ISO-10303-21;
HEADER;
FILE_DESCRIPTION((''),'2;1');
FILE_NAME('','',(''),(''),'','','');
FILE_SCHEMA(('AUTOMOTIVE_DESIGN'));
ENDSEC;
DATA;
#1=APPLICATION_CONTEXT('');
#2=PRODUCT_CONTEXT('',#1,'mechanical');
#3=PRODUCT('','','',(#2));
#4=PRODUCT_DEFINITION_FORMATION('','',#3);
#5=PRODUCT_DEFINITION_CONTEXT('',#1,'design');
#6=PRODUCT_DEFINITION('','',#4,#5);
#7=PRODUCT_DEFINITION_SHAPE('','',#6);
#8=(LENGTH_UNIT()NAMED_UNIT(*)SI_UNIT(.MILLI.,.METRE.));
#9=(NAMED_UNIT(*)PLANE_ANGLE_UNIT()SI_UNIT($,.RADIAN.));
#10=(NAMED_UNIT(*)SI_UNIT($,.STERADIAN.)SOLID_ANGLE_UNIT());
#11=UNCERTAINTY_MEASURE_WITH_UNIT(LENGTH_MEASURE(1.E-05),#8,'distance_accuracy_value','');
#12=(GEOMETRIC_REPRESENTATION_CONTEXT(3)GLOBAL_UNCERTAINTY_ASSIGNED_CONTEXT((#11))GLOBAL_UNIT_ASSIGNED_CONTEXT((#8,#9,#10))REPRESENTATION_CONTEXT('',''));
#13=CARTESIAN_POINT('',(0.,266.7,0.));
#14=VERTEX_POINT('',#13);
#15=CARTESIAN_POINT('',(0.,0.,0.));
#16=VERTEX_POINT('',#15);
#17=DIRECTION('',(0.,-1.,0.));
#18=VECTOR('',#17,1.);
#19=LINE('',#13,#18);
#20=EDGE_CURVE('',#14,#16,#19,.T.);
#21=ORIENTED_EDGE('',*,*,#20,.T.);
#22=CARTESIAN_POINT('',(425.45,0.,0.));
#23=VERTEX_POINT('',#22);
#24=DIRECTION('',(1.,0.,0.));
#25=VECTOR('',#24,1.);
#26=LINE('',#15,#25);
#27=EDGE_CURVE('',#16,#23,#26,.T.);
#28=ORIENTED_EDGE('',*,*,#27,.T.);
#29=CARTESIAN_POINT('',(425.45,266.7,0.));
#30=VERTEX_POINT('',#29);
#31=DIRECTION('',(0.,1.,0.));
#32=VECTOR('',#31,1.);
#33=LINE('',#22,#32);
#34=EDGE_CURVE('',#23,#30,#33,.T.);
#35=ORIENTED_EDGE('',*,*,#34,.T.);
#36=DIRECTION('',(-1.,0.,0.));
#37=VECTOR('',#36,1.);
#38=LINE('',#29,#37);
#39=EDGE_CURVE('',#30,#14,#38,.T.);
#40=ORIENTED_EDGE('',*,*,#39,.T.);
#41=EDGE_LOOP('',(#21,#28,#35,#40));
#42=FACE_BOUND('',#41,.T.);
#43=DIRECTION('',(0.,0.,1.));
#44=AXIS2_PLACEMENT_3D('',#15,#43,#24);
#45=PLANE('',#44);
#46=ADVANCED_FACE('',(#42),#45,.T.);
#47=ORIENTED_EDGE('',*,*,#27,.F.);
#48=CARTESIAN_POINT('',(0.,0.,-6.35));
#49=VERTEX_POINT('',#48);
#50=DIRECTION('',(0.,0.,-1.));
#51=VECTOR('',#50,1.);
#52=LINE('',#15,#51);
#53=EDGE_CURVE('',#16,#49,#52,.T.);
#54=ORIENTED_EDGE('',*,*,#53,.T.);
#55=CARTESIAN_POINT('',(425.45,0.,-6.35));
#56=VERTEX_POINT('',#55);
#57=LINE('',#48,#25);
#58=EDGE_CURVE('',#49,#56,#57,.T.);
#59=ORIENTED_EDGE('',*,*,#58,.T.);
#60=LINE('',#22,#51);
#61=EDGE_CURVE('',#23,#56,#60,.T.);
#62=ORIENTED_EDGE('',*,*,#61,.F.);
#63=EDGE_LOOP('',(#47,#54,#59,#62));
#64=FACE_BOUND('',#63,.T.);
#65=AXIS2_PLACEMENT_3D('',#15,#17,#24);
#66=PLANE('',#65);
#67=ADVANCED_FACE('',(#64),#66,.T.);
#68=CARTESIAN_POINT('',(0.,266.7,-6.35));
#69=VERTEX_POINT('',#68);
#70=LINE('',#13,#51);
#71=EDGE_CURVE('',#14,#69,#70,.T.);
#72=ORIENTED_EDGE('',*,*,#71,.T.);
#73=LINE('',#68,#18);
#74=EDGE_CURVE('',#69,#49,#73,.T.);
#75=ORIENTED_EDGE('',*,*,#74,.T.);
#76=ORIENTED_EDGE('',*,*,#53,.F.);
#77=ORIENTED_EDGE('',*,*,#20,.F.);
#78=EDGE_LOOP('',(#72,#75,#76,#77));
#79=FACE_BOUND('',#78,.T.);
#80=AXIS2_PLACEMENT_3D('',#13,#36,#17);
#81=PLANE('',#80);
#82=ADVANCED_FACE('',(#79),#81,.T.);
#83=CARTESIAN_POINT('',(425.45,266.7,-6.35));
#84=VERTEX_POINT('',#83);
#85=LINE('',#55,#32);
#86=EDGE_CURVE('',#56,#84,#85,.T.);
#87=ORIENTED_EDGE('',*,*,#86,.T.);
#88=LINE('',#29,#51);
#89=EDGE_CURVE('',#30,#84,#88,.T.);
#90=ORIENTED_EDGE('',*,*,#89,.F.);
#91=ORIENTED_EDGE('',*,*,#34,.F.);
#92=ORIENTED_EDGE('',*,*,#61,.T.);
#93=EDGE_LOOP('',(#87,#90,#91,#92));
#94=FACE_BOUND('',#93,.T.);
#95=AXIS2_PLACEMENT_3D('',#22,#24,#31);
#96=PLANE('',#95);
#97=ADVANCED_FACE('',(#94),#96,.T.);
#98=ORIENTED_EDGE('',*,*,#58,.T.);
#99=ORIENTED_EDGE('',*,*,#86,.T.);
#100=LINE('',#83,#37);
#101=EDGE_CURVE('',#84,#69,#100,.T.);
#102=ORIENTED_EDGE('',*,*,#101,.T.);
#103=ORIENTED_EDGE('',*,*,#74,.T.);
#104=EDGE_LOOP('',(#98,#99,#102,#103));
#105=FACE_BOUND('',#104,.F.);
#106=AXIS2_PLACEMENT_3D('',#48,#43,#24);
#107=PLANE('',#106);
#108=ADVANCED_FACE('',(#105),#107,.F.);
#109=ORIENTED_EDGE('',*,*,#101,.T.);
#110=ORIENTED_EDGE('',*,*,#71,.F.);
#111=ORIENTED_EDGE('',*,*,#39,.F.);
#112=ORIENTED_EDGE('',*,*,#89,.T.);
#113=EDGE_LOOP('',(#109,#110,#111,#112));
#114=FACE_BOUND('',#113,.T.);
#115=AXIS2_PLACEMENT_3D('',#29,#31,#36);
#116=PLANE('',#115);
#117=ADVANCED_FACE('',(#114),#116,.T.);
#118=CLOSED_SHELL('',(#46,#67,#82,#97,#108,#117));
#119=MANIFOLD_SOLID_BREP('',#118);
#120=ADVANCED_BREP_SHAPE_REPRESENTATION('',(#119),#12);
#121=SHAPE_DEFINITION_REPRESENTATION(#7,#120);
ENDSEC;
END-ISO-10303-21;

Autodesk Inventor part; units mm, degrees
ref_plane "YZ Plane" through (0, 0, 0) normal (1, 0, 0) x (0, 1, 0)
ref_plane "XZ Plane" through (0, 0, 0) normal (0, 1, 0) x (-1, 0, 0)
ref_plane "XY Plane" through (0, 0, 0) normal (0, 0, 1) x (1, 0, 0)
sketch "Sketch1" plane through (0, 0, 0) normal (0, 0, 1) x (1, 0, 0)
  line L0 (425.45, 266.7) -> (0, 266.7)
  line L1 (0, 266.7) -> (0, 0)
  line L2 (0, 0) -> (425.45, 0)
  line L3 (425.45, 0) -> (425.45, 266.7)
  dimension "d0" = 425.45
  dimension "d1" = 266.7
extrude "Extrusion1" add sketch "Sketch1" against normal blind 6.35
properties part number "side face"
